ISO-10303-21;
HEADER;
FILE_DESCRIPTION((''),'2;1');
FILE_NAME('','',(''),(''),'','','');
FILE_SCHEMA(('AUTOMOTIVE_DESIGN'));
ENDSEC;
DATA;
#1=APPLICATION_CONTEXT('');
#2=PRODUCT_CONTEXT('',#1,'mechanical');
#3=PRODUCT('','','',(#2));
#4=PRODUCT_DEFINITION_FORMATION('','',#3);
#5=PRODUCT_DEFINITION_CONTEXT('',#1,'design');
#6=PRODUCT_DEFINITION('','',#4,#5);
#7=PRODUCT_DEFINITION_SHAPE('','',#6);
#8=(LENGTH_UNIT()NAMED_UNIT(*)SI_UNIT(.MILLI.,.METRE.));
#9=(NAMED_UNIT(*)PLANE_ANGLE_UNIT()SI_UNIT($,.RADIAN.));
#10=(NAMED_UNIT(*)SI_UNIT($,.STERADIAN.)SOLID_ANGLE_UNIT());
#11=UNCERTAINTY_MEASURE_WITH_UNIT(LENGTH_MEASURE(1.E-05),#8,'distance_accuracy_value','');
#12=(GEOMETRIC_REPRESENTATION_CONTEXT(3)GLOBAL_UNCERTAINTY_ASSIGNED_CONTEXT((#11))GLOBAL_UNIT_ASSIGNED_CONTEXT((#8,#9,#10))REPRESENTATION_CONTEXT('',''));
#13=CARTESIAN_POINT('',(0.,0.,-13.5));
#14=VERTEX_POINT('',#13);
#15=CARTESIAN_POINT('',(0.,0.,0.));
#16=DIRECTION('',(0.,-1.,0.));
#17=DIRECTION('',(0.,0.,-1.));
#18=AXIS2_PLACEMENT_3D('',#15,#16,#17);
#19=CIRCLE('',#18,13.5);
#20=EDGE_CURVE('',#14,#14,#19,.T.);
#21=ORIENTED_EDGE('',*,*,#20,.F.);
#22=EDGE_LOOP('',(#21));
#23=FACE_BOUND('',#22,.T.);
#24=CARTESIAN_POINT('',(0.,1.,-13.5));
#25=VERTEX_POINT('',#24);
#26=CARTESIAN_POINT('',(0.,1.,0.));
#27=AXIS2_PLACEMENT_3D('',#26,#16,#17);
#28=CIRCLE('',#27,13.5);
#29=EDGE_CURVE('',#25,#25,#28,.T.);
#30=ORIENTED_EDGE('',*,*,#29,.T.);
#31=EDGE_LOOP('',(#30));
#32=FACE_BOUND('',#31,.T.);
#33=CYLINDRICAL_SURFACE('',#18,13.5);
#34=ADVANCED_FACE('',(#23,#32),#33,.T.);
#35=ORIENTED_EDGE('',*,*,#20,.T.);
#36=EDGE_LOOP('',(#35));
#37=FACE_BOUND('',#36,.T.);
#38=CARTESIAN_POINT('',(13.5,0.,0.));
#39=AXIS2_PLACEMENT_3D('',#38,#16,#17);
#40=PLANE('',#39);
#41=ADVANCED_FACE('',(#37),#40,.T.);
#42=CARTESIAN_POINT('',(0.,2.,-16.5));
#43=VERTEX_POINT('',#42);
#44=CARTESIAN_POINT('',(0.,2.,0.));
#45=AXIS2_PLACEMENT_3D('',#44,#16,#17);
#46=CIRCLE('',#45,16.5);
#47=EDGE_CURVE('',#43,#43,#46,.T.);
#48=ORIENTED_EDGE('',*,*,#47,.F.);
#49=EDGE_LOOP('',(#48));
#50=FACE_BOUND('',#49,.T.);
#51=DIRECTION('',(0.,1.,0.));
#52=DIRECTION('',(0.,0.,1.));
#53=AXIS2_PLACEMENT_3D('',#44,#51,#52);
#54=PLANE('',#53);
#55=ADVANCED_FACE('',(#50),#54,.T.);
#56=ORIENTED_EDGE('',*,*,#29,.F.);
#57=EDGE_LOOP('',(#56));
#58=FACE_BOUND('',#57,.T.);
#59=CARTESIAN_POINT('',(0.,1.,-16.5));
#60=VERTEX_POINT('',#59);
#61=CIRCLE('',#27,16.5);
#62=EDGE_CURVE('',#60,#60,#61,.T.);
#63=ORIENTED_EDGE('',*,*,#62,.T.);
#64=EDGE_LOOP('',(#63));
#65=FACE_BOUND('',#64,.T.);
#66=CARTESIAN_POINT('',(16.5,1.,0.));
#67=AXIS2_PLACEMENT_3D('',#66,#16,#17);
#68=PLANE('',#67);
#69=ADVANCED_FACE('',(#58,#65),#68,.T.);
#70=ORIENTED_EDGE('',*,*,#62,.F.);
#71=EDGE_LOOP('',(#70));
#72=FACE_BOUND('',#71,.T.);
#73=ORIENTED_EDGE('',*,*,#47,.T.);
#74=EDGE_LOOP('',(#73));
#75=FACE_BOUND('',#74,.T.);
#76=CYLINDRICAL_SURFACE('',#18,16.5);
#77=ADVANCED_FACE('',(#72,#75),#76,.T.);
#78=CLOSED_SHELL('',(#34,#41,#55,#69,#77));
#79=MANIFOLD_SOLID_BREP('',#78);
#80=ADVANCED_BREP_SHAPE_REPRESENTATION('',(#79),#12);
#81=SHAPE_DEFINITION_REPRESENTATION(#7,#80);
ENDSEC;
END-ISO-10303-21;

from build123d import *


with BuildPart() as part:
    # Эскиз1 → Повернуть1 (revolve)
    with BuildSketch(Plane.XY):
        Polygon((0, 0), (0, 2), (16.5, 2), (16.5, 1), (13.5, 1), (13.5, 0), align=None)
    revolve(axis=Axis((0, 0, 0), (0, 1, 0)))


solid = part.part
